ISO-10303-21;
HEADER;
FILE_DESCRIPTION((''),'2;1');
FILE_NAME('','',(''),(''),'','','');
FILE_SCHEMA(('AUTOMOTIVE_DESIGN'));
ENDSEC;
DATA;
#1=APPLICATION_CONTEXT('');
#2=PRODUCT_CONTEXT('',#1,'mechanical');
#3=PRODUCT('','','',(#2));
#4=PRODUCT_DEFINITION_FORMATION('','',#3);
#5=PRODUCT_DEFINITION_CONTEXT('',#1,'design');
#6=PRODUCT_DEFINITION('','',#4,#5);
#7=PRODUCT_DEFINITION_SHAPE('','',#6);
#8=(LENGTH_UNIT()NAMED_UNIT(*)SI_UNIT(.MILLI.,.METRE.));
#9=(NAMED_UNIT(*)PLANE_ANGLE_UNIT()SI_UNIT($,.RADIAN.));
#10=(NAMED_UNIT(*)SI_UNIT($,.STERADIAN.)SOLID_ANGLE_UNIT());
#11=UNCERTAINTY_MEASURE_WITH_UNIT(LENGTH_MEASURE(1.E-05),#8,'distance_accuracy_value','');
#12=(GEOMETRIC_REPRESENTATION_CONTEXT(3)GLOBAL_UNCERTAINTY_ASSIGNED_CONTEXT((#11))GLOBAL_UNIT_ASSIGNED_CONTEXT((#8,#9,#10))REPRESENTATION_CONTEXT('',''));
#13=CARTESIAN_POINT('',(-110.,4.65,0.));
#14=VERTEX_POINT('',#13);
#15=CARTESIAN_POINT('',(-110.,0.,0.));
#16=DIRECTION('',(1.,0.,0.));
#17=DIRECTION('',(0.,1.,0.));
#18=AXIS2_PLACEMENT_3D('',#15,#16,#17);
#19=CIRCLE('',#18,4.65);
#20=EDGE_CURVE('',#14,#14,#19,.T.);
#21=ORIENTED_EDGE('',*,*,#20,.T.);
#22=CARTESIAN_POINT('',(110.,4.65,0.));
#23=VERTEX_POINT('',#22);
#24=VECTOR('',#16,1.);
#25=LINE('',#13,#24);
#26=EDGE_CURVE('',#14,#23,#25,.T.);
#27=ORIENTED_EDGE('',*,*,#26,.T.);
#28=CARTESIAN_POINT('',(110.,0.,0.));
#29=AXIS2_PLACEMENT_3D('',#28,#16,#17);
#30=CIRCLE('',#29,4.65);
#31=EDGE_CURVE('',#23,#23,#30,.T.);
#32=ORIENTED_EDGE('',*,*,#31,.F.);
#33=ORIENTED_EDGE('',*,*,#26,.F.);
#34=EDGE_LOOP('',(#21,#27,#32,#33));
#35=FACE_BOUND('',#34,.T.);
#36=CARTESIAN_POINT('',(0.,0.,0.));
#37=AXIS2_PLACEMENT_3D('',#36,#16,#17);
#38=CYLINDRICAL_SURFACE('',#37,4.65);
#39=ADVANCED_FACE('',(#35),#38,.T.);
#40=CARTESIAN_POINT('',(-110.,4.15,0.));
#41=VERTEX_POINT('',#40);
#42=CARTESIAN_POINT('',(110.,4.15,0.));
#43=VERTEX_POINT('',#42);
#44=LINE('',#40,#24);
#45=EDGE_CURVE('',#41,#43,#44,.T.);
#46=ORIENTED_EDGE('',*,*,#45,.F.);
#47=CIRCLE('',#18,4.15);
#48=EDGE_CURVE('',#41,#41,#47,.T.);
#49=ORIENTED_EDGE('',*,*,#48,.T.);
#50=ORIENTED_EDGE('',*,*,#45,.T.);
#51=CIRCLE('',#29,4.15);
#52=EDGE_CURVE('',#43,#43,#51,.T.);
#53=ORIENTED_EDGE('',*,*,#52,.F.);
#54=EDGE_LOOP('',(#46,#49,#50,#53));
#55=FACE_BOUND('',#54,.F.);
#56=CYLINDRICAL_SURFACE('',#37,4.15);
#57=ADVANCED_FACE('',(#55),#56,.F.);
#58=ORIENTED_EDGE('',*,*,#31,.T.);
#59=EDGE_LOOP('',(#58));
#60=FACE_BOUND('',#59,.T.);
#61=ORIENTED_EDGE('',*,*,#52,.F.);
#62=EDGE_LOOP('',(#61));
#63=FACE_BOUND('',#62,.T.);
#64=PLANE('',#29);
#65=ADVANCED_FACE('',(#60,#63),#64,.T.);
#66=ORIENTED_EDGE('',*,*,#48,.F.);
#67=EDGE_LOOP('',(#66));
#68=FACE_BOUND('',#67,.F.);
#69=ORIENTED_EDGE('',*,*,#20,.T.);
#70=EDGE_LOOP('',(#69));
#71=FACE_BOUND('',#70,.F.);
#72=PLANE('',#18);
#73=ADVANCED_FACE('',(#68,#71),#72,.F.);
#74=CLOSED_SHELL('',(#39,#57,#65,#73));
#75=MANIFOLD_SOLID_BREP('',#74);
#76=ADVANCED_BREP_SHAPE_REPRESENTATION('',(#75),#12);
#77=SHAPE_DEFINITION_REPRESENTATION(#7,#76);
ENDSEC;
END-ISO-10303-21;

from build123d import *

# Parameters (mm, degrees)
F0_R          = 4.65
F1_DEPTH      = 110
F1_DEPTH_BACK = 110
F2_T          = -0.5


with BuildPart() as f1:
    # F0 (on Right) → F1 (new body, two sides)
    with BuildSketch(Plane.YZ) as f1_sk:
        Circle(F0_R)
    extrude(amount=F1_DEPTH)
    extrude(f1_sk.sketch, amount=-F1_DEPTH_BACK)

    # F2
    f2_openings = [f1.faces().sort_by_distance(p)[0] for p in [
        (110, 0, 0),
        (-110, 0, 0),
    ]]
    offset(amount=F2_T, openings=f2_openings)


solid = f1.part
